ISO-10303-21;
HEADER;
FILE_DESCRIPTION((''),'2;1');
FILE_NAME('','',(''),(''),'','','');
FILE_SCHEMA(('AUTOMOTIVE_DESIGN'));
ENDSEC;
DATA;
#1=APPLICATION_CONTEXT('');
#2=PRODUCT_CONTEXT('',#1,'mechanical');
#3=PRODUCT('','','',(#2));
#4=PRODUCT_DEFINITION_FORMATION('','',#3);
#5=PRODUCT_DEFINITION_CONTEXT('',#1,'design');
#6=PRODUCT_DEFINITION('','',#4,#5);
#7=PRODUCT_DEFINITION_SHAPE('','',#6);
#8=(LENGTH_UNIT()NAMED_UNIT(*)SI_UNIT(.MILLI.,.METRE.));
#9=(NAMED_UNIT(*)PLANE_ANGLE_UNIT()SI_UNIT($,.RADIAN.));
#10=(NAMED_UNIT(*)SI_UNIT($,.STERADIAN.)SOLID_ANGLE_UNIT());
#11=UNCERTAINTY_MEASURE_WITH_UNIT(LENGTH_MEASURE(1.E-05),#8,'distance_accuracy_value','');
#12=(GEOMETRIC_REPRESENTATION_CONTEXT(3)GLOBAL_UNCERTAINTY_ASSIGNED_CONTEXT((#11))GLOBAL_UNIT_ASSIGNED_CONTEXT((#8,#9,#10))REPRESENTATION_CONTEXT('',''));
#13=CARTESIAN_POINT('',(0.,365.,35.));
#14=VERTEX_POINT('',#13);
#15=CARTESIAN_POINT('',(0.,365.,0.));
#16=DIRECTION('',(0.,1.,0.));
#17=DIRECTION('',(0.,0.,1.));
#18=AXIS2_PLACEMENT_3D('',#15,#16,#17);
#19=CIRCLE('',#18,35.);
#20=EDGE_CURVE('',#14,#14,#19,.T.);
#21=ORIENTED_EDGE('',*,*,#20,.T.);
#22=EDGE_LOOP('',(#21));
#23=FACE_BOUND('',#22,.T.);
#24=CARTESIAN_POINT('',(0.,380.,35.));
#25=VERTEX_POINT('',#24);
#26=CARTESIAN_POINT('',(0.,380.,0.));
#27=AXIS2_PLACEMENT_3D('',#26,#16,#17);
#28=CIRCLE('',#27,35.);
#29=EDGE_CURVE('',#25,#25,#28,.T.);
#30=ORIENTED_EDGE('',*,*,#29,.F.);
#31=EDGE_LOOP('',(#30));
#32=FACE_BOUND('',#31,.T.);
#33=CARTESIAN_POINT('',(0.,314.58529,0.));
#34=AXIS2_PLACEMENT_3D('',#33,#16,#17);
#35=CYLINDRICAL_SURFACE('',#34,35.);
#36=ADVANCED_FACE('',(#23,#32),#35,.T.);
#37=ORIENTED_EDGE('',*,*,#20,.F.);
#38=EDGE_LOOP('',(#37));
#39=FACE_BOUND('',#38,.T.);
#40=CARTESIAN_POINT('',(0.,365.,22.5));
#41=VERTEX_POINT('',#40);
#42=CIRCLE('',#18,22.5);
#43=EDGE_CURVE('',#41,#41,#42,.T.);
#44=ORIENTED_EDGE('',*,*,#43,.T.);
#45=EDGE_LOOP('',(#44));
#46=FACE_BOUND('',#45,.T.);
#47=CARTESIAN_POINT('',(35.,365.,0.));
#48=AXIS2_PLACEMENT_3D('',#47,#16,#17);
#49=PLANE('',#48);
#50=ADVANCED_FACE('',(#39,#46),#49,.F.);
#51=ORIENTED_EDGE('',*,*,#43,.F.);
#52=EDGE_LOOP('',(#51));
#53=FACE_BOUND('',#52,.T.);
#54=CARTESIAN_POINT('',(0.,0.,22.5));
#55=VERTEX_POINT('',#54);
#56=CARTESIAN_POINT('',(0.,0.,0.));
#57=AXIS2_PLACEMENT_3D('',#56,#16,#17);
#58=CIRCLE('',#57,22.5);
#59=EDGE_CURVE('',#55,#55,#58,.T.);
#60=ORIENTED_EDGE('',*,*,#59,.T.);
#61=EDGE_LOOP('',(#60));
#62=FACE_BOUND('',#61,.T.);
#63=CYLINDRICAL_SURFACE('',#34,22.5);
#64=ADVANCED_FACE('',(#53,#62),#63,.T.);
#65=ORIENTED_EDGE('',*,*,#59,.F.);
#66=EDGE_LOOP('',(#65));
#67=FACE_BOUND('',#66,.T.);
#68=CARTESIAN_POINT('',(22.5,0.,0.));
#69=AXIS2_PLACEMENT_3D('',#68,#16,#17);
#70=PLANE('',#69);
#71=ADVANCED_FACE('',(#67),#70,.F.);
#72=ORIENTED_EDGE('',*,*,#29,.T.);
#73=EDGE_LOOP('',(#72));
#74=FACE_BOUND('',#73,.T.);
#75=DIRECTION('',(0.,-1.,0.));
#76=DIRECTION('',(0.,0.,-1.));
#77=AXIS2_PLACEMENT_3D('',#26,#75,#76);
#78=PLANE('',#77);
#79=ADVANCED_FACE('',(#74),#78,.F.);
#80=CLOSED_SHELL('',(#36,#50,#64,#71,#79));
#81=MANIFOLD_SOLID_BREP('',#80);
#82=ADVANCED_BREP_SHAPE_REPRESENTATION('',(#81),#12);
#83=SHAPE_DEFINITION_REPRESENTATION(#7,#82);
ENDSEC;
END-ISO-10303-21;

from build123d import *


with BuildPart() as part:
    # Sketch3 → Revolve1 (revolve)
    with BuildSketch(Plane.XY):
        Polygon((22.5, 0), (0, 0), (0, 380), (35, 380), (35, 365), (22.5, 365), align=None)
    revolve(axis=Axis((0, 314.585289515, 0), (0, -1, 0)))


solid = part.part
